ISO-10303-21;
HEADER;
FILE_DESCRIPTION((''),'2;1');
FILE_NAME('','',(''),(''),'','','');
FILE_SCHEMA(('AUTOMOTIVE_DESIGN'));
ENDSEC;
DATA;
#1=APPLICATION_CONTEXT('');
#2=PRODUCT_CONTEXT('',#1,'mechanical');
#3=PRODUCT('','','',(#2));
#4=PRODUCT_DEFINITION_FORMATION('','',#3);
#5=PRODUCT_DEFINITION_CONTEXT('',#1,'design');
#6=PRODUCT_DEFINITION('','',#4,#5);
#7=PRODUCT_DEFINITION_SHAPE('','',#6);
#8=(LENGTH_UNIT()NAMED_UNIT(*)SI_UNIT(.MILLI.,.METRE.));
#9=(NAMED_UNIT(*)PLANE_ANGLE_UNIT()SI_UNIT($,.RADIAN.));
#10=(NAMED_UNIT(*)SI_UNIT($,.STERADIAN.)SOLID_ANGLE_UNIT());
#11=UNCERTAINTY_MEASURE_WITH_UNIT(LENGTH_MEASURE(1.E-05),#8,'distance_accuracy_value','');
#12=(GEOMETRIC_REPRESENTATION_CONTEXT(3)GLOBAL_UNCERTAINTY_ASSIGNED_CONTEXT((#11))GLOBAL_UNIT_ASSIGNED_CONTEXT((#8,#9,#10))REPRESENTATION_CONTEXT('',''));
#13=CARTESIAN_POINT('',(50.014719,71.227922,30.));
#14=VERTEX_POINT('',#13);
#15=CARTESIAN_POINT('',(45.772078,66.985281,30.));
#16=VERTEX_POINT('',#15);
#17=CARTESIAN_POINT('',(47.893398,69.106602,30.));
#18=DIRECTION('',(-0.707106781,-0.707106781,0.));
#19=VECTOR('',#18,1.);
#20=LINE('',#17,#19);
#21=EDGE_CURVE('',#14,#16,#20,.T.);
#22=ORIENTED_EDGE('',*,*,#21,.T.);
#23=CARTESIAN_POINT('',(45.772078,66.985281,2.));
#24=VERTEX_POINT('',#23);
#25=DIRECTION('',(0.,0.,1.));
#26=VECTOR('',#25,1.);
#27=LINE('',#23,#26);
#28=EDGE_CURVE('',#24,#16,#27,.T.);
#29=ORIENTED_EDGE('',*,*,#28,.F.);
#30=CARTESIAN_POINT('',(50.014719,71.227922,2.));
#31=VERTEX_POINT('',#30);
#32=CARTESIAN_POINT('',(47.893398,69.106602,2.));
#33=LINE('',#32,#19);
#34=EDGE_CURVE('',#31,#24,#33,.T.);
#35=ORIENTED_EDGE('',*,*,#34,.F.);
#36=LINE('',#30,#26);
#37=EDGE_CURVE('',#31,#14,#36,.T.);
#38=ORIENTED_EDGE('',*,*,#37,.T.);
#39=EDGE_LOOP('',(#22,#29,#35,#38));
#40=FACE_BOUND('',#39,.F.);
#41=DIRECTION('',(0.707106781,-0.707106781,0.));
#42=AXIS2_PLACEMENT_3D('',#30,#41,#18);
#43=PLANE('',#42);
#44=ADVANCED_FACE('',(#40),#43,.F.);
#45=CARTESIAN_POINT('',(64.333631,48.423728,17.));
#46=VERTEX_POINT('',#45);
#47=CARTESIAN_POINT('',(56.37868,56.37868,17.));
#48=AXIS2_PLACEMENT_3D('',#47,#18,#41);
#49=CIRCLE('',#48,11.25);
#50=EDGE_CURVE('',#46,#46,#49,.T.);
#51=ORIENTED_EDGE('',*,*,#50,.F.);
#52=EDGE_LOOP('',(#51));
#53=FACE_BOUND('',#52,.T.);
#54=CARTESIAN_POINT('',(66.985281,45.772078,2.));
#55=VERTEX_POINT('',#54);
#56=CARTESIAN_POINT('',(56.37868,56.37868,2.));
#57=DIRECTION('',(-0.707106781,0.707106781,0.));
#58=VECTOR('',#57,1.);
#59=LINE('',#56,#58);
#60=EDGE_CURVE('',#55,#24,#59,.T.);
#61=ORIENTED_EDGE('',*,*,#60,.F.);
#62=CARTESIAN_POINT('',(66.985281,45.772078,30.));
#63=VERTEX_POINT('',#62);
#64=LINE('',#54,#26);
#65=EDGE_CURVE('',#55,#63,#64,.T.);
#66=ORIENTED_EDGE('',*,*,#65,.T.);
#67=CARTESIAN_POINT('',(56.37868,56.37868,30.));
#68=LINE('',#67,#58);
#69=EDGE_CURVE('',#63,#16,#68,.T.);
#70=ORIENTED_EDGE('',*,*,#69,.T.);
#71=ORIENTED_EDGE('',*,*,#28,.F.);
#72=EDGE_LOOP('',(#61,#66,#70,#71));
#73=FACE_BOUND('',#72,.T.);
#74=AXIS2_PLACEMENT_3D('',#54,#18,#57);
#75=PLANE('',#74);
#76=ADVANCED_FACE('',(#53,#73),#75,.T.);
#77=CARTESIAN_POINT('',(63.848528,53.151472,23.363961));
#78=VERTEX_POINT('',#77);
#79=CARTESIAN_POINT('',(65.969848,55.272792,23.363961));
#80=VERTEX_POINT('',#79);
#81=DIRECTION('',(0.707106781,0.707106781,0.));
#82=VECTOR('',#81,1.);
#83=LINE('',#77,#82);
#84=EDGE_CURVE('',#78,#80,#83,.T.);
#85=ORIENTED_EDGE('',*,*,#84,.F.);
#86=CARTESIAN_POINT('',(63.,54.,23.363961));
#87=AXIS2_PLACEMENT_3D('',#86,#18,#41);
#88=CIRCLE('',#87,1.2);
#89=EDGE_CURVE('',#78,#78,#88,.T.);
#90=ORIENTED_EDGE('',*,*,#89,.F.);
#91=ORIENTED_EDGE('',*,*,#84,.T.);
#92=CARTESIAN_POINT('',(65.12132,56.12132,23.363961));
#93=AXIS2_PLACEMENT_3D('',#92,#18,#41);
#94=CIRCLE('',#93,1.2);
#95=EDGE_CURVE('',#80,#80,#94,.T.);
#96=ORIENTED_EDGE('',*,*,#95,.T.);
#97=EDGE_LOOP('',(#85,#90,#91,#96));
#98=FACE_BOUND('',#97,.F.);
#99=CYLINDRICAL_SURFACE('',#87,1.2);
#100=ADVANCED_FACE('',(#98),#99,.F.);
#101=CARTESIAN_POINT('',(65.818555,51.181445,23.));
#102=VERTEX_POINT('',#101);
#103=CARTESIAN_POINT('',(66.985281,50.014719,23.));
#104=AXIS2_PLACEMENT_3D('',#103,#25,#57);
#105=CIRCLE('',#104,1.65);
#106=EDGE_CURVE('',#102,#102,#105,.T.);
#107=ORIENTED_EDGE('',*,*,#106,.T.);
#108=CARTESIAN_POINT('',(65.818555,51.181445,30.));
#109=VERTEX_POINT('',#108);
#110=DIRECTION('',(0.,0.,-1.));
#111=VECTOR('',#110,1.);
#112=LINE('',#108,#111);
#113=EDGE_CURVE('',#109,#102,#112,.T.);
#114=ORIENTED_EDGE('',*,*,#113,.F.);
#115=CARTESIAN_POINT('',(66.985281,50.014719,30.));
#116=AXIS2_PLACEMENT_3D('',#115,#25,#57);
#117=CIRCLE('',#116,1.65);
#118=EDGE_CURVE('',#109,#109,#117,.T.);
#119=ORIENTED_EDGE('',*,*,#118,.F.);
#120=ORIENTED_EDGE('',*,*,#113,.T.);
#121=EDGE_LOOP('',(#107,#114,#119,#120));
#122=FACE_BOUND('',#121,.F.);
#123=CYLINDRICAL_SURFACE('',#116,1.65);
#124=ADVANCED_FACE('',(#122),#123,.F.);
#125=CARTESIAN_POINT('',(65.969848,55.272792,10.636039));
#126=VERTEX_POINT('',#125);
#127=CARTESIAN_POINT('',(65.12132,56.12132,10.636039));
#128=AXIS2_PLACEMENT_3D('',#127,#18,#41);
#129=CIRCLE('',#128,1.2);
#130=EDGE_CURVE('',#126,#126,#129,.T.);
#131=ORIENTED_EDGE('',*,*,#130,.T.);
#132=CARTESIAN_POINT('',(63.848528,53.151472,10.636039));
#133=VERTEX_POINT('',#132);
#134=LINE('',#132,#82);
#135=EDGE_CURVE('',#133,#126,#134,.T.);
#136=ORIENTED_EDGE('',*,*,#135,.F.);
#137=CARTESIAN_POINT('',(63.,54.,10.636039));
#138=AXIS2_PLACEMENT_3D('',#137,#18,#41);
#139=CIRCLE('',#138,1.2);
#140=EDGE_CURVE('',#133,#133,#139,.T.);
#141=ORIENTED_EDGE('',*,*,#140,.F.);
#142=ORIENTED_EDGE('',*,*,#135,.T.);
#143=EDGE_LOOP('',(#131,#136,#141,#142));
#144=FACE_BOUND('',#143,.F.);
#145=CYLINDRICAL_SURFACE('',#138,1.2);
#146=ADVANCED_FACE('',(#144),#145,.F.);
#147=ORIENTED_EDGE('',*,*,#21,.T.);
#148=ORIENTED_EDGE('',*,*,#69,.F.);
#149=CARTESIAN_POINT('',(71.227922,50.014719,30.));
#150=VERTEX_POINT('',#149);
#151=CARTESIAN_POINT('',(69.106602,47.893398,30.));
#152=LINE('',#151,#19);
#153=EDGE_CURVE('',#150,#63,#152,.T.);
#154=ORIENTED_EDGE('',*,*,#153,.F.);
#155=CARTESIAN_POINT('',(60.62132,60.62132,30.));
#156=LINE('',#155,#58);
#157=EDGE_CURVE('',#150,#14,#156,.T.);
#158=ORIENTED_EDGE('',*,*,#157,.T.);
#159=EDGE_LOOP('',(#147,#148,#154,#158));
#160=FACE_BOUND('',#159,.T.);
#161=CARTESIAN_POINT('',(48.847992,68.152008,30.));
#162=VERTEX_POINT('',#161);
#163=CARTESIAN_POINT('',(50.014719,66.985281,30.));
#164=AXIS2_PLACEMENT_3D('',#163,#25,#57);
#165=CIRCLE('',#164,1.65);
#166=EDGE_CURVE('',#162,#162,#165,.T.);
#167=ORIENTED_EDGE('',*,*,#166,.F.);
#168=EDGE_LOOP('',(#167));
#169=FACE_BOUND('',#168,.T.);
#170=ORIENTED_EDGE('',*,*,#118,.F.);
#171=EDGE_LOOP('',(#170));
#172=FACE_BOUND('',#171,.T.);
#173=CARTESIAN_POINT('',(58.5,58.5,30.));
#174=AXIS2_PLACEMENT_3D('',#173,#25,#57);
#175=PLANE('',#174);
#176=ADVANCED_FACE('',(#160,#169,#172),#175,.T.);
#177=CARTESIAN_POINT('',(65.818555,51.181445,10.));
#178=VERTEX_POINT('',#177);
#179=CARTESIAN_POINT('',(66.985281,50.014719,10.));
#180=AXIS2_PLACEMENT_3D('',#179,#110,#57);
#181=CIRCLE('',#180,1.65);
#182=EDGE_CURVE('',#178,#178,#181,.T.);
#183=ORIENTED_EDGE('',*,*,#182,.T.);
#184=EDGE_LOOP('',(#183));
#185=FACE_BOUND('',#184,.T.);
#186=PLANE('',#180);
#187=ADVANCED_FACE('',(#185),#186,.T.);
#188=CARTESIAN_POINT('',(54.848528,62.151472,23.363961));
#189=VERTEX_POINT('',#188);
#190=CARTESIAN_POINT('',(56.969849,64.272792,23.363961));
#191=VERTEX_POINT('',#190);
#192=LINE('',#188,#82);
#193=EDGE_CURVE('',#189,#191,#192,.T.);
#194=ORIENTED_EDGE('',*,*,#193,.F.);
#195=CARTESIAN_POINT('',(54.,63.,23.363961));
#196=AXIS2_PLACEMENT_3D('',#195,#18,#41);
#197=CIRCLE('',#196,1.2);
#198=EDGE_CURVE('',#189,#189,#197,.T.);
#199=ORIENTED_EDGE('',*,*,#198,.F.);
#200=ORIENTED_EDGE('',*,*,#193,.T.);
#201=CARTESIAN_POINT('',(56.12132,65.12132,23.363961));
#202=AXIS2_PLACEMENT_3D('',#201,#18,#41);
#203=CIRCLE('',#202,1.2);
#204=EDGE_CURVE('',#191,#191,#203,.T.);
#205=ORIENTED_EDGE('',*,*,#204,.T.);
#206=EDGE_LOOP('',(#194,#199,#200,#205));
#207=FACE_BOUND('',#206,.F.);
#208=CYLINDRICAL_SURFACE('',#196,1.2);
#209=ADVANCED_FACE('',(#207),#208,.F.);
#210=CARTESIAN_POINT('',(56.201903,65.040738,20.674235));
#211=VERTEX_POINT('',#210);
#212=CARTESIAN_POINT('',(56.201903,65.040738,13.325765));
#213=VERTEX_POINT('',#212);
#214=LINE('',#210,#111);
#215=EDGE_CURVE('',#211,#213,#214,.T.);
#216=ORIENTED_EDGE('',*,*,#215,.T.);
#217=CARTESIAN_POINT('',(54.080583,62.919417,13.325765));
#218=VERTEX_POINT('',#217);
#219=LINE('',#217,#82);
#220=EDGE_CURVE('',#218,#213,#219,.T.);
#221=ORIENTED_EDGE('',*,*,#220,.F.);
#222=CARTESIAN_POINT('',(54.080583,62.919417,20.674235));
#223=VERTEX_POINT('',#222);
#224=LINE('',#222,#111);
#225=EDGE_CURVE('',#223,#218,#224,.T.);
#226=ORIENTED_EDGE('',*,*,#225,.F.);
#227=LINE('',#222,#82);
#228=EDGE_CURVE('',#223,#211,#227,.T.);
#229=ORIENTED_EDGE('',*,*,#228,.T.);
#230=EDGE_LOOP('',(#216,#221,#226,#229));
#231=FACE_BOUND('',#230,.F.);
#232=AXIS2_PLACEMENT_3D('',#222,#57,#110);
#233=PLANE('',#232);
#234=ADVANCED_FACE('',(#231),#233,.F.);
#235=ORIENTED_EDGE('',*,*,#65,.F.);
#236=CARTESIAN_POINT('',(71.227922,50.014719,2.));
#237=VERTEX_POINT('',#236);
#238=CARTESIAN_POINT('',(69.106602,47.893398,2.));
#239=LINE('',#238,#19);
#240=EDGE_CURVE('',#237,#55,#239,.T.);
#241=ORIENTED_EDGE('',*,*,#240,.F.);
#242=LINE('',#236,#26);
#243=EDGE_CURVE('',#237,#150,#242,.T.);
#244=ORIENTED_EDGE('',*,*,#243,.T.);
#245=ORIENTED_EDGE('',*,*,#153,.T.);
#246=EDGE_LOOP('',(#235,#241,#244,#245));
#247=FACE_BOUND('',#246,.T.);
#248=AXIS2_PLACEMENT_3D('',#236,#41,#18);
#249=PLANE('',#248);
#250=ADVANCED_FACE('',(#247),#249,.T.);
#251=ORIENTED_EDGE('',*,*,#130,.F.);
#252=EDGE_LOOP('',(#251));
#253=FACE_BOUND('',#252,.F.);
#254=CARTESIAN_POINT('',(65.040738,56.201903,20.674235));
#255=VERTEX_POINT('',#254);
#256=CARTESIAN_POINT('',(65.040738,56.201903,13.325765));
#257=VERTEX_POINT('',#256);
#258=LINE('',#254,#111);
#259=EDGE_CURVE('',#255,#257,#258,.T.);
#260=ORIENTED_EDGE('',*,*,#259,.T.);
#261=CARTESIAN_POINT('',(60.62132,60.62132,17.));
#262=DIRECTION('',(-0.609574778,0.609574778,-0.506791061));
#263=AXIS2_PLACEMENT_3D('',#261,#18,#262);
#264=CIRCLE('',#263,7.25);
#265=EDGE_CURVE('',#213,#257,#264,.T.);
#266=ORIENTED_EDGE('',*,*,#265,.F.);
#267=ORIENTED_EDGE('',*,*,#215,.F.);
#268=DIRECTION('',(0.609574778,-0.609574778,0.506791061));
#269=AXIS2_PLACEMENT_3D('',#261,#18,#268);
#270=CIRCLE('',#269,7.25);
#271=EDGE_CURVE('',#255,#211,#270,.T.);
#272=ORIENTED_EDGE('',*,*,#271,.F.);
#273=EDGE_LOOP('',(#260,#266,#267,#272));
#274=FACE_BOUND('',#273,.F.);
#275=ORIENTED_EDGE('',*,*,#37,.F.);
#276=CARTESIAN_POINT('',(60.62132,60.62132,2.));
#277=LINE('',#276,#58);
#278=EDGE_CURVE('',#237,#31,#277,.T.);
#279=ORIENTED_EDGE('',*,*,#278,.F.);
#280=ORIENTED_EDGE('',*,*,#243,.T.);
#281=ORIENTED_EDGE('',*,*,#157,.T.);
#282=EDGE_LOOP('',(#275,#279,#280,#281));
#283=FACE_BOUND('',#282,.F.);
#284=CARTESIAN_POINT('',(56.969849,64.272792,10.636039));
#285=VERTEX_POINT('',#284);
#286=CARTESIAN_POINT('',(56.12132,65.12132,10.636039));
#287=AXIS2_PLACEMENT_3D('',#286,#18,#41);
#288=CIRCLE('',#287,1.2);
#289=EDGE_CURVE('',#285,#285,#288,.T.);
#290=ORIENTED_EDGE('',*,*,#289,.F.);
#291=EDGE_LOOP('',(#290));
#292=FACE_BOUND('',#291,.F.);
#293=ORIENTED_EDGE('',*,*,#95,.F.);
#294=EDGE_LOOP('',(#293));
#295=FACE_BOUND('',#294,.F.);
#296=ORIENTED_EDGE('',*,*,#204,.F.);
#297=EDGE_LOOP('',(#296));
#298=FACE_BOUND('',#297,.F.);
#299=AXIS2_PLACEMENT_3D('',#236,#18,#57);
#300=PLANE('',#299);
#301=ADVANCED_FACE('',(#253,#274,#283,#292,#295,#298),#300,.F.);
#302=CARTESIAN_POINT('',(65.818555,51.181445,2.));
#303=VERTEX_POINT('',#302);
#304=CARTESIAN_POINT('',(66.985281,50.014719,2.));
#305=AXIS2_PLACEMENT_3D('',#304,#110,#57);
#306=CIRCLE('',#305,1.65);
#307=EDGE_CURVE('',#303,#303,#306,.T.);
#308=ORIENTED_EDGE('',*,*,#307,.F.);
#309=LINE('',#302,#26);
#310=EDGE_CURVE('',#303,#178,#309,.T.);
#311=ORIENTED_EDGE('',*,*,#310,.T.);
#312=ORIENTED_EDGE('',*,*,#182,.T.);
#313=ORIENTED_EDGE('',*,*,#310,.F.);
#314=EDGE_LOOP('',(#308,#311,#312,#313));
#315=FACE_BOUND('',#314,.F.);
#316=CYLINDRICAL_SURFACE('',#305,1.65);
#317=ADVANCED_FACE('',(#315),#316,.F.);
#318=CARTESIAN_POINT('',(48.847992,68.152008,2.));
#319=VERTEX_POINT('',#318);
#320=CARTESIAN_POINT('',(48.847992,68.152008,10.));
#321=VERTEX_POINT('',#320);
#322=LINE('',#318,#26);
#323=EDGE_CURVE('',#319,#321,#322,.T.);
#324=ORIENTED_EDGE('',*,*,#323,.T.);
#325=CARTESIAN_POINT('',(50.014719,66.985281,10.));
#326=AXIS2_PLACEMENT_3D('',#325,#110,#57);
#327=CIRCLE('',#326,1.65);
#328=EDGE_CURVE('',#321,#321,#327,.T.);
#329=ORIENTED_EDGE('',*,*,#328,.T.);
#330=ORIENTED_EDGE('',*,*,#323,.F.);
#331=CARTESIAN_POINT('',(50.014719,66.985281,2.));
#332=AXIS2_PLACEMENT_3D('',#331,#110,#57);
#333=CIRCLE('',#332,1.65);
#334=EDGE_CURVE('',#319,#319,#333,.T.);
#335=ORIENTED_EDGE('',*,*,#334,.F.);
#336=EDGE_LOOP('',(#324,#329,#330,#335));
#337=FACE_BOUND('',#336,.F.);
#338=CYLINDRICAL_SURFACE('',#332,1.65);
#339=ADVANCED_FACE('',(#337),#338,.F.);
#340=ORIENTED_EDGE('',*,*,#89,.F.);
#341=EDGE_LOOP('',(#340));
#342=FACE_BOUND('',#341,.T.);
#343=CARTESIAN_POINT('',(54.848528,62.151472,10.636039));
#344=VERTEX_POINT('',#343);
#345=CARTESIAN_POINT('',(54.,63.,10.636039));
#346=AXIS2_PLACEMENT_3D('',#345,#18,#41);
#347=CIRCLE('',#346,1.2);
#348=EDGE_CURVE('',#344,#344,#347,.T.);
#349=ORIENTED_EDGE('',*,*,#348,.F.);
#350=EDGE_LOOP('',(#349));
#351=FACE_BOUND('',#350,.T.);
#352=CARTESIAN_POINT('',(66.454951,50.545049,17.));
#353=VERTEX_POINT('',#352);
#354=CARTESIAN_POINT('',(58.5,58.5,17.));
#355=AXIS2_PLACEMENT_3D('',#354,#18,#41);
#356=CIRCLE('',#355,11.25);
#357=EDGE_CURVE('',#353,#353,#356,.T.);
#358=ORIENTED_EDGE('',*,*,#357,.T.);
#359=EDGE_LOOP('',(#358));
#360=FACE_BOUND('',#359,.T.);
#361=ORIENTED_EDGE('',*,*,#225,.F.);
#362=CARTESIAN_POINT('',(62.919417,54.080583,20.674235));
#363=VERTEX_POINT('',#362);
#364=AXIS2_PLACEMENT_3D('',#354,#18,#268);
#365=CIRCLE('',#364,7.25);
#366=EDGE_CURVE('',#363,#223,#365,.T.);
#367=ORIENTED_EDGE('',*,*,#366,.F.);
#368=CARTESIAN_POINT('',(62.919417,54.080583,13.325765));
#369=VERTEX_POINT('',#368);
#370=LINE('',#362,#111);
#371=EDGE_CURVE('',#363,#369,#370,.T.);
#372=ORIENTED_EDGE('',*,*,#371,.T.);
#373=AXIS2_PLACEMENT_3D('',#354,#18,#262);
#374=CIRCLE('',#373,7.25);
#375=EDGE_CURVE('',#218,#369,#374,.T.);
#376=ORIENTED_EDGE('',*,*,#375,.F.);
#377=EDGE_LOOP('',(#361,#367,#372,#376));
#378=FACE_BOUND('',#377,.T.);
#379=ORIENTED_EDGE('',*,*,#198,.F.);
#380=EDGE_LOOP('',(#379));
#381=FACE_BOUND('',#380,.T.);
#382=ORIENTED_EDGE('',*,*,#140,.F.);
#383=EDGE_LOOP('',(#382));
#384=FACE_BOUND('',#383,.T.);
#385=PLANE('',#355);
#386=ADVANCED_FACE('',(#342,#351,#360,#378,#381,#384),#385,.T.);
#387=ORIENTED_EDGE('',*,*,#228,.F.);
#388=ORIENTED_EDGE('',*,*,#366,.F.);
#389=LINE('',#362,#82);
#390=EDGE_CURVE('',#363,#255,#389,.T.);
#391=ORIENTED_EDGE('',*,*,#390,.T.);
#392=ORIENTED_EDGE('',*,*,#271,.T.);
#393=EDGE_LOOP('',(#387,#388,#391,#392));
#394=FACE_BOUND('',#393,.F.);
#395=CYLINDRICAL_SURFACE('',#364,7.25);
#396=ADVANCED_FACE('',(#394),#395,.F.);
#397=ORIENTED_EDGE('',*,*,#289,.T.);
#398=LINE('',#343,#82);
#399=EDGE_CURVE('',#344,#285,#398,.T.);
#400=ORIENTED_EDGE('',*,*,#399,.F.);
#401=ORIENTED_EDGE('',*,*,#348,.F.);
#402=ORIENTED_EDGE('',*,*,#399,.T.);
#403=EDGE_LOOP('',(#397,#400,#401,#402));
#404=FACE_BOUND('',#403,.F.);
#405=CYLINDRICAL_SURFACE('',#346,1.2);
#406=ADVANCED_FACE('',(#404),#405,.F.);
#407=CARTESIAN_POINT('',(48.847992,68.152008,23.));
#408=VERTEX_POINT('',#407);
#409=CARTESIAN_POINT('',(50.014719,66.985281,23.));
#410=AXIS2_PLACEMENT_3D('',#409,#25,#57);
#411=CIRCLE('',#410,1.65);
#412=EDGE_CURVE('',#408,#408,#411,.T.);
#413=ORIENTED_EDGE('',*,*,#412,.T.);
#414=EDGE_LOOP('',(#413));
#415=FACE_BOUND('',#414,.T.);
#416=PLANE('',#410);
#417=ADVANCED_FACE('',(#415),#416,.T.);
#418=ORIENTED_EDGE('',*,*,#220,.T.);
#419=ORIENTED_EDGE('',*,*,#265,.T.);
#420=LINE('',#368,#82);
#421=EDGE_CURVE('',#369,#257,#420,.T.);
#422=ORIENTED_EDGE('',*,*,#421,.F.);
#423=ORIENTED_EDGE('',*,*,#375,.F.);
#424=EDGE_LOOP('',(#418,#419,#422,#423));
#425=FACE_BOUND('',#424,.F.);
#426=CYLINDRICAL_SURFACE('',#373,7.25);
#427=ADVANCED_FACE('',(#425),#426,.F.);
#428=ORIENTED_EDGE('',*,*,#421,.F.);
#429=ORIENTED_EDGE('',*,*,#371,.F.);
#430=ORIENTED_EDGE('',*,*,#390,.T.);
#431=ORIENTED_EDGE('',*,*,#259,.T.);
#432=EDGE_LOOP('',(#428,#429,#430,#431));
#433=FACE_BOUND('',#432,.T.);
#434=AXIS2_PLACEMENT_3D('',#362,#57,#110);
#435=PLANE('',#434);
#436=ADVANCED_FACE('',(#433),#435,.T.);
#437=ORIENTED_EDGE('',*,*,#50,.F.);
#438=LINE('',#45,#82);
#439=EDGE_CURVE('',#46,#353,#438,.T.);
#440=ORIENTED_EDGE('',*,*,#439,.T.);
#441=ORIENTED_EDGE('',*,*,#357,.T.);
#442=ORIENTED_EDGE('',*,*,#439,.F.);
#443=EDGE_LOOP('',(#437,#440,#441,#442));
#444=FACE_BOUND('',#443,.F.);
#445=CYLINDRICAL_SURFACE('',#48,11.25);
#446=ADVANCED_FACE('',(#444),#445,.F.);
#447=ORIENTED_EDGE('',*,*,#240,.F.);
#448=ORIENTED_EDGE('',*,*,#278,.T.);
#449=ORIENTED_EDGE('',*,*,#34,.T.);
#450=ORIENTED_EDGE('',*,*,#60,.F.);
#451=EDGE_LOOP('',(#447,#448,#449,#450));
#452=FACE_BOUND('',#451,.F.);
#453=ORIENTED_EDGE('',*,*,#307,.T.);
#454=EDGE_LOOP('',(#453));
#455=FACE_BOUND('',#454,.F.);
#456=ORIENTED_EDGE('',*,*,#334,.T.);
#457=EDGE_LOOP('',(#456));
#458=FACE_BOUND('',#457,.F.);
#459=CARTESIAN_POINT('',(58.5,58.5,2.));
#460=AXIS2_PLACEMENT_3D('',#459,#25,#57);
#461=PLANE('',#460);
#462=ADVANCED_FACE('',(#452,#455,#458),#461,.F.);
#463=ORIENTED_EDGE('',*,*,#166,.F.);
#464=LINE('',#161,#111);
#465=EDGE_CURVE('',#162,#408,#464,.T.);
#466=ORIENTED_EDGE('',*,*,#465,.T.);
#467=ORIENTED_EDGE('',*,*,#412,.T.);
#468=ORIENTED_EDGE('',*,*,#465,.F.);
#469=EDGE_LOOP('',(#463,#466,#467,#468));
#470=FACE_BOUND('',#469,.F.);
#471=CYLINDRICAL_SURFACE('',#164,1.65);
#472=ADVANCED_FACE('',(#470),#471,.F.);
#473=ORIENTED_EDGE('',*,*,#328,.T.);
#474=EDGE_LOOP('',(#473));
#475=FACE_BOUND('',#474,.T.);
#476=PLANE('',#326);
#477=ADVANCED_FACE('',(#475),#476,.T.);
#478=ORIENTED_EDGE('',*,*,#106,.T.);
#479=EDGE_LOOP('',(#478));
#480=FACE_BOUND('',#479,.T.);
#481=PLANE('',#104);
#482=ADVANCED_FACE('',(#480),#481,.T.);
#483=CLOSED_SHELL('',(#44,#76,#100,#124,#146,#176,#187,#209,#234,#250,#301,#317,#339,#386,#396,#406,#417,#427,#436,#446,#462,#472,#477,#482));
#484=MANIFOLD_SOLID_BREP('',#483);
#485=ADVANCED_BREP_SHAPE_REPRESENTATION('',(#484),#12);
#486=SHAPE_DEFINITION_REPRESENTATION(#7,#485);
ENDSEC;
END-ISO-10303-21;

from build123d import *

# Parameters (mm, degrees)
SKETCH082_W             = 30
SKETCH082_H             = 6
PAD035_DEPTH            = 28
SKETCH083_R             = 11.25
POCKET043_DEPTH         = 3
SKETCH084_R             = 1.2
POCKET044_DEPTH         = 3
SKETCH085_R             = 1.65
POCKET045_DEPTH         = 7
SKETCH086_R             = 1.65
POCKET046_DEPTH         = 8
BODY025_PLACEMENT_ANGLE = 135


with BuildPart() as part:
    # Sketch082 → Pad035 (new body)
    with BuildSketch(Plane.XY):
        Rectangle(SKETCH082_W, SKETCH082_H)
    extrude(amount=PAD035_DEPTH)

    # Sketch083 (on Face4 of Pad035) → Pocket043 (cut)
    with BuildSketch(Plane(origin=(0, 3, 0), x_dir=(-1, 0, 0), z_dir=(0, 1, 0))):
        with Locations((0, 15)):
            Circle(SKETCH083_R)
    extrude(amount=-POCKET043_DEPTH, mode=Mode.SUBTRACT)

    # Sketch084 (on Face8 of Pocket043) → Pocket044 (cut)
    with BuildSketch(Plane(origin=(0, 0, 0), x_dir=(-1, 0, 0), z_dir=(0, 1, 0))):
        with Locations((6.363961, 8.636039)):
            Circle(SKETCH084_R)
        with Locations((6.363961, 21.363961)):
            Circle(SKETCH084_R)
        with Locations((-6.363961, 21.363961)):
            Circle(SKETCH084_R)
        with Locations((-6.363961, 8.636039)):
            Circle(SKETCH084_R)
        with BuildLine():
            Line((-6.25, 18.674235), (-6.25, 11.325765))
            ThreePointArc((-6.25, 11.325765), (0, 7.75), (6.25, 11.325765))
            Line((6.25, 18.674235), (6.25, 11.325765))
            ThreePointArc((6.25, 18.674235), (0, 22.25), (-6.25, 18.674235))
        make_face()
    extrude(amount=-POCKET044_DEPTH, mode=Mode.SUBTRACT)

    # Sketch085 (on Face5 of Pocket044) → Pocket045 (cut)
    with BuildSketch(Plane.XY.offset(28)):
        with Locations((-12, 0)):
            Circle(SKETCH085_R)
        with Locations((12, 0)):
            Circle(SKETCH085_R)
    extrude(amount=-POCKET045_DEPTH, mode=Mode.SUBTRACT)

    # Sketch086 (on Face4 of Pocket045) → Pocket046 (cut)
    with BuildSketch(Plane(origin=(0, 0, 0), x_dir=(1, 0, 0), z_dir=(0, 0, -1))):
        with Locations((-12, 0)):
            Circle(SKETCH086_R)
        with Locations((12, 0)):
            Circle(SKETCH086_R)
    extrude(amount=-POCKET046_DEPTH, mode=Mode.SUBTRACT)


with BuildPart() as part_1:
    # Body025 placement: moved
    add(part.part.moved(Location((58.5, 58.5, 2))).rotate(Axis((58.5, 58.5, 2), (0, 0, 1)), BODY025_PLACEMENT_ANGLE))


solid = part_1.part
